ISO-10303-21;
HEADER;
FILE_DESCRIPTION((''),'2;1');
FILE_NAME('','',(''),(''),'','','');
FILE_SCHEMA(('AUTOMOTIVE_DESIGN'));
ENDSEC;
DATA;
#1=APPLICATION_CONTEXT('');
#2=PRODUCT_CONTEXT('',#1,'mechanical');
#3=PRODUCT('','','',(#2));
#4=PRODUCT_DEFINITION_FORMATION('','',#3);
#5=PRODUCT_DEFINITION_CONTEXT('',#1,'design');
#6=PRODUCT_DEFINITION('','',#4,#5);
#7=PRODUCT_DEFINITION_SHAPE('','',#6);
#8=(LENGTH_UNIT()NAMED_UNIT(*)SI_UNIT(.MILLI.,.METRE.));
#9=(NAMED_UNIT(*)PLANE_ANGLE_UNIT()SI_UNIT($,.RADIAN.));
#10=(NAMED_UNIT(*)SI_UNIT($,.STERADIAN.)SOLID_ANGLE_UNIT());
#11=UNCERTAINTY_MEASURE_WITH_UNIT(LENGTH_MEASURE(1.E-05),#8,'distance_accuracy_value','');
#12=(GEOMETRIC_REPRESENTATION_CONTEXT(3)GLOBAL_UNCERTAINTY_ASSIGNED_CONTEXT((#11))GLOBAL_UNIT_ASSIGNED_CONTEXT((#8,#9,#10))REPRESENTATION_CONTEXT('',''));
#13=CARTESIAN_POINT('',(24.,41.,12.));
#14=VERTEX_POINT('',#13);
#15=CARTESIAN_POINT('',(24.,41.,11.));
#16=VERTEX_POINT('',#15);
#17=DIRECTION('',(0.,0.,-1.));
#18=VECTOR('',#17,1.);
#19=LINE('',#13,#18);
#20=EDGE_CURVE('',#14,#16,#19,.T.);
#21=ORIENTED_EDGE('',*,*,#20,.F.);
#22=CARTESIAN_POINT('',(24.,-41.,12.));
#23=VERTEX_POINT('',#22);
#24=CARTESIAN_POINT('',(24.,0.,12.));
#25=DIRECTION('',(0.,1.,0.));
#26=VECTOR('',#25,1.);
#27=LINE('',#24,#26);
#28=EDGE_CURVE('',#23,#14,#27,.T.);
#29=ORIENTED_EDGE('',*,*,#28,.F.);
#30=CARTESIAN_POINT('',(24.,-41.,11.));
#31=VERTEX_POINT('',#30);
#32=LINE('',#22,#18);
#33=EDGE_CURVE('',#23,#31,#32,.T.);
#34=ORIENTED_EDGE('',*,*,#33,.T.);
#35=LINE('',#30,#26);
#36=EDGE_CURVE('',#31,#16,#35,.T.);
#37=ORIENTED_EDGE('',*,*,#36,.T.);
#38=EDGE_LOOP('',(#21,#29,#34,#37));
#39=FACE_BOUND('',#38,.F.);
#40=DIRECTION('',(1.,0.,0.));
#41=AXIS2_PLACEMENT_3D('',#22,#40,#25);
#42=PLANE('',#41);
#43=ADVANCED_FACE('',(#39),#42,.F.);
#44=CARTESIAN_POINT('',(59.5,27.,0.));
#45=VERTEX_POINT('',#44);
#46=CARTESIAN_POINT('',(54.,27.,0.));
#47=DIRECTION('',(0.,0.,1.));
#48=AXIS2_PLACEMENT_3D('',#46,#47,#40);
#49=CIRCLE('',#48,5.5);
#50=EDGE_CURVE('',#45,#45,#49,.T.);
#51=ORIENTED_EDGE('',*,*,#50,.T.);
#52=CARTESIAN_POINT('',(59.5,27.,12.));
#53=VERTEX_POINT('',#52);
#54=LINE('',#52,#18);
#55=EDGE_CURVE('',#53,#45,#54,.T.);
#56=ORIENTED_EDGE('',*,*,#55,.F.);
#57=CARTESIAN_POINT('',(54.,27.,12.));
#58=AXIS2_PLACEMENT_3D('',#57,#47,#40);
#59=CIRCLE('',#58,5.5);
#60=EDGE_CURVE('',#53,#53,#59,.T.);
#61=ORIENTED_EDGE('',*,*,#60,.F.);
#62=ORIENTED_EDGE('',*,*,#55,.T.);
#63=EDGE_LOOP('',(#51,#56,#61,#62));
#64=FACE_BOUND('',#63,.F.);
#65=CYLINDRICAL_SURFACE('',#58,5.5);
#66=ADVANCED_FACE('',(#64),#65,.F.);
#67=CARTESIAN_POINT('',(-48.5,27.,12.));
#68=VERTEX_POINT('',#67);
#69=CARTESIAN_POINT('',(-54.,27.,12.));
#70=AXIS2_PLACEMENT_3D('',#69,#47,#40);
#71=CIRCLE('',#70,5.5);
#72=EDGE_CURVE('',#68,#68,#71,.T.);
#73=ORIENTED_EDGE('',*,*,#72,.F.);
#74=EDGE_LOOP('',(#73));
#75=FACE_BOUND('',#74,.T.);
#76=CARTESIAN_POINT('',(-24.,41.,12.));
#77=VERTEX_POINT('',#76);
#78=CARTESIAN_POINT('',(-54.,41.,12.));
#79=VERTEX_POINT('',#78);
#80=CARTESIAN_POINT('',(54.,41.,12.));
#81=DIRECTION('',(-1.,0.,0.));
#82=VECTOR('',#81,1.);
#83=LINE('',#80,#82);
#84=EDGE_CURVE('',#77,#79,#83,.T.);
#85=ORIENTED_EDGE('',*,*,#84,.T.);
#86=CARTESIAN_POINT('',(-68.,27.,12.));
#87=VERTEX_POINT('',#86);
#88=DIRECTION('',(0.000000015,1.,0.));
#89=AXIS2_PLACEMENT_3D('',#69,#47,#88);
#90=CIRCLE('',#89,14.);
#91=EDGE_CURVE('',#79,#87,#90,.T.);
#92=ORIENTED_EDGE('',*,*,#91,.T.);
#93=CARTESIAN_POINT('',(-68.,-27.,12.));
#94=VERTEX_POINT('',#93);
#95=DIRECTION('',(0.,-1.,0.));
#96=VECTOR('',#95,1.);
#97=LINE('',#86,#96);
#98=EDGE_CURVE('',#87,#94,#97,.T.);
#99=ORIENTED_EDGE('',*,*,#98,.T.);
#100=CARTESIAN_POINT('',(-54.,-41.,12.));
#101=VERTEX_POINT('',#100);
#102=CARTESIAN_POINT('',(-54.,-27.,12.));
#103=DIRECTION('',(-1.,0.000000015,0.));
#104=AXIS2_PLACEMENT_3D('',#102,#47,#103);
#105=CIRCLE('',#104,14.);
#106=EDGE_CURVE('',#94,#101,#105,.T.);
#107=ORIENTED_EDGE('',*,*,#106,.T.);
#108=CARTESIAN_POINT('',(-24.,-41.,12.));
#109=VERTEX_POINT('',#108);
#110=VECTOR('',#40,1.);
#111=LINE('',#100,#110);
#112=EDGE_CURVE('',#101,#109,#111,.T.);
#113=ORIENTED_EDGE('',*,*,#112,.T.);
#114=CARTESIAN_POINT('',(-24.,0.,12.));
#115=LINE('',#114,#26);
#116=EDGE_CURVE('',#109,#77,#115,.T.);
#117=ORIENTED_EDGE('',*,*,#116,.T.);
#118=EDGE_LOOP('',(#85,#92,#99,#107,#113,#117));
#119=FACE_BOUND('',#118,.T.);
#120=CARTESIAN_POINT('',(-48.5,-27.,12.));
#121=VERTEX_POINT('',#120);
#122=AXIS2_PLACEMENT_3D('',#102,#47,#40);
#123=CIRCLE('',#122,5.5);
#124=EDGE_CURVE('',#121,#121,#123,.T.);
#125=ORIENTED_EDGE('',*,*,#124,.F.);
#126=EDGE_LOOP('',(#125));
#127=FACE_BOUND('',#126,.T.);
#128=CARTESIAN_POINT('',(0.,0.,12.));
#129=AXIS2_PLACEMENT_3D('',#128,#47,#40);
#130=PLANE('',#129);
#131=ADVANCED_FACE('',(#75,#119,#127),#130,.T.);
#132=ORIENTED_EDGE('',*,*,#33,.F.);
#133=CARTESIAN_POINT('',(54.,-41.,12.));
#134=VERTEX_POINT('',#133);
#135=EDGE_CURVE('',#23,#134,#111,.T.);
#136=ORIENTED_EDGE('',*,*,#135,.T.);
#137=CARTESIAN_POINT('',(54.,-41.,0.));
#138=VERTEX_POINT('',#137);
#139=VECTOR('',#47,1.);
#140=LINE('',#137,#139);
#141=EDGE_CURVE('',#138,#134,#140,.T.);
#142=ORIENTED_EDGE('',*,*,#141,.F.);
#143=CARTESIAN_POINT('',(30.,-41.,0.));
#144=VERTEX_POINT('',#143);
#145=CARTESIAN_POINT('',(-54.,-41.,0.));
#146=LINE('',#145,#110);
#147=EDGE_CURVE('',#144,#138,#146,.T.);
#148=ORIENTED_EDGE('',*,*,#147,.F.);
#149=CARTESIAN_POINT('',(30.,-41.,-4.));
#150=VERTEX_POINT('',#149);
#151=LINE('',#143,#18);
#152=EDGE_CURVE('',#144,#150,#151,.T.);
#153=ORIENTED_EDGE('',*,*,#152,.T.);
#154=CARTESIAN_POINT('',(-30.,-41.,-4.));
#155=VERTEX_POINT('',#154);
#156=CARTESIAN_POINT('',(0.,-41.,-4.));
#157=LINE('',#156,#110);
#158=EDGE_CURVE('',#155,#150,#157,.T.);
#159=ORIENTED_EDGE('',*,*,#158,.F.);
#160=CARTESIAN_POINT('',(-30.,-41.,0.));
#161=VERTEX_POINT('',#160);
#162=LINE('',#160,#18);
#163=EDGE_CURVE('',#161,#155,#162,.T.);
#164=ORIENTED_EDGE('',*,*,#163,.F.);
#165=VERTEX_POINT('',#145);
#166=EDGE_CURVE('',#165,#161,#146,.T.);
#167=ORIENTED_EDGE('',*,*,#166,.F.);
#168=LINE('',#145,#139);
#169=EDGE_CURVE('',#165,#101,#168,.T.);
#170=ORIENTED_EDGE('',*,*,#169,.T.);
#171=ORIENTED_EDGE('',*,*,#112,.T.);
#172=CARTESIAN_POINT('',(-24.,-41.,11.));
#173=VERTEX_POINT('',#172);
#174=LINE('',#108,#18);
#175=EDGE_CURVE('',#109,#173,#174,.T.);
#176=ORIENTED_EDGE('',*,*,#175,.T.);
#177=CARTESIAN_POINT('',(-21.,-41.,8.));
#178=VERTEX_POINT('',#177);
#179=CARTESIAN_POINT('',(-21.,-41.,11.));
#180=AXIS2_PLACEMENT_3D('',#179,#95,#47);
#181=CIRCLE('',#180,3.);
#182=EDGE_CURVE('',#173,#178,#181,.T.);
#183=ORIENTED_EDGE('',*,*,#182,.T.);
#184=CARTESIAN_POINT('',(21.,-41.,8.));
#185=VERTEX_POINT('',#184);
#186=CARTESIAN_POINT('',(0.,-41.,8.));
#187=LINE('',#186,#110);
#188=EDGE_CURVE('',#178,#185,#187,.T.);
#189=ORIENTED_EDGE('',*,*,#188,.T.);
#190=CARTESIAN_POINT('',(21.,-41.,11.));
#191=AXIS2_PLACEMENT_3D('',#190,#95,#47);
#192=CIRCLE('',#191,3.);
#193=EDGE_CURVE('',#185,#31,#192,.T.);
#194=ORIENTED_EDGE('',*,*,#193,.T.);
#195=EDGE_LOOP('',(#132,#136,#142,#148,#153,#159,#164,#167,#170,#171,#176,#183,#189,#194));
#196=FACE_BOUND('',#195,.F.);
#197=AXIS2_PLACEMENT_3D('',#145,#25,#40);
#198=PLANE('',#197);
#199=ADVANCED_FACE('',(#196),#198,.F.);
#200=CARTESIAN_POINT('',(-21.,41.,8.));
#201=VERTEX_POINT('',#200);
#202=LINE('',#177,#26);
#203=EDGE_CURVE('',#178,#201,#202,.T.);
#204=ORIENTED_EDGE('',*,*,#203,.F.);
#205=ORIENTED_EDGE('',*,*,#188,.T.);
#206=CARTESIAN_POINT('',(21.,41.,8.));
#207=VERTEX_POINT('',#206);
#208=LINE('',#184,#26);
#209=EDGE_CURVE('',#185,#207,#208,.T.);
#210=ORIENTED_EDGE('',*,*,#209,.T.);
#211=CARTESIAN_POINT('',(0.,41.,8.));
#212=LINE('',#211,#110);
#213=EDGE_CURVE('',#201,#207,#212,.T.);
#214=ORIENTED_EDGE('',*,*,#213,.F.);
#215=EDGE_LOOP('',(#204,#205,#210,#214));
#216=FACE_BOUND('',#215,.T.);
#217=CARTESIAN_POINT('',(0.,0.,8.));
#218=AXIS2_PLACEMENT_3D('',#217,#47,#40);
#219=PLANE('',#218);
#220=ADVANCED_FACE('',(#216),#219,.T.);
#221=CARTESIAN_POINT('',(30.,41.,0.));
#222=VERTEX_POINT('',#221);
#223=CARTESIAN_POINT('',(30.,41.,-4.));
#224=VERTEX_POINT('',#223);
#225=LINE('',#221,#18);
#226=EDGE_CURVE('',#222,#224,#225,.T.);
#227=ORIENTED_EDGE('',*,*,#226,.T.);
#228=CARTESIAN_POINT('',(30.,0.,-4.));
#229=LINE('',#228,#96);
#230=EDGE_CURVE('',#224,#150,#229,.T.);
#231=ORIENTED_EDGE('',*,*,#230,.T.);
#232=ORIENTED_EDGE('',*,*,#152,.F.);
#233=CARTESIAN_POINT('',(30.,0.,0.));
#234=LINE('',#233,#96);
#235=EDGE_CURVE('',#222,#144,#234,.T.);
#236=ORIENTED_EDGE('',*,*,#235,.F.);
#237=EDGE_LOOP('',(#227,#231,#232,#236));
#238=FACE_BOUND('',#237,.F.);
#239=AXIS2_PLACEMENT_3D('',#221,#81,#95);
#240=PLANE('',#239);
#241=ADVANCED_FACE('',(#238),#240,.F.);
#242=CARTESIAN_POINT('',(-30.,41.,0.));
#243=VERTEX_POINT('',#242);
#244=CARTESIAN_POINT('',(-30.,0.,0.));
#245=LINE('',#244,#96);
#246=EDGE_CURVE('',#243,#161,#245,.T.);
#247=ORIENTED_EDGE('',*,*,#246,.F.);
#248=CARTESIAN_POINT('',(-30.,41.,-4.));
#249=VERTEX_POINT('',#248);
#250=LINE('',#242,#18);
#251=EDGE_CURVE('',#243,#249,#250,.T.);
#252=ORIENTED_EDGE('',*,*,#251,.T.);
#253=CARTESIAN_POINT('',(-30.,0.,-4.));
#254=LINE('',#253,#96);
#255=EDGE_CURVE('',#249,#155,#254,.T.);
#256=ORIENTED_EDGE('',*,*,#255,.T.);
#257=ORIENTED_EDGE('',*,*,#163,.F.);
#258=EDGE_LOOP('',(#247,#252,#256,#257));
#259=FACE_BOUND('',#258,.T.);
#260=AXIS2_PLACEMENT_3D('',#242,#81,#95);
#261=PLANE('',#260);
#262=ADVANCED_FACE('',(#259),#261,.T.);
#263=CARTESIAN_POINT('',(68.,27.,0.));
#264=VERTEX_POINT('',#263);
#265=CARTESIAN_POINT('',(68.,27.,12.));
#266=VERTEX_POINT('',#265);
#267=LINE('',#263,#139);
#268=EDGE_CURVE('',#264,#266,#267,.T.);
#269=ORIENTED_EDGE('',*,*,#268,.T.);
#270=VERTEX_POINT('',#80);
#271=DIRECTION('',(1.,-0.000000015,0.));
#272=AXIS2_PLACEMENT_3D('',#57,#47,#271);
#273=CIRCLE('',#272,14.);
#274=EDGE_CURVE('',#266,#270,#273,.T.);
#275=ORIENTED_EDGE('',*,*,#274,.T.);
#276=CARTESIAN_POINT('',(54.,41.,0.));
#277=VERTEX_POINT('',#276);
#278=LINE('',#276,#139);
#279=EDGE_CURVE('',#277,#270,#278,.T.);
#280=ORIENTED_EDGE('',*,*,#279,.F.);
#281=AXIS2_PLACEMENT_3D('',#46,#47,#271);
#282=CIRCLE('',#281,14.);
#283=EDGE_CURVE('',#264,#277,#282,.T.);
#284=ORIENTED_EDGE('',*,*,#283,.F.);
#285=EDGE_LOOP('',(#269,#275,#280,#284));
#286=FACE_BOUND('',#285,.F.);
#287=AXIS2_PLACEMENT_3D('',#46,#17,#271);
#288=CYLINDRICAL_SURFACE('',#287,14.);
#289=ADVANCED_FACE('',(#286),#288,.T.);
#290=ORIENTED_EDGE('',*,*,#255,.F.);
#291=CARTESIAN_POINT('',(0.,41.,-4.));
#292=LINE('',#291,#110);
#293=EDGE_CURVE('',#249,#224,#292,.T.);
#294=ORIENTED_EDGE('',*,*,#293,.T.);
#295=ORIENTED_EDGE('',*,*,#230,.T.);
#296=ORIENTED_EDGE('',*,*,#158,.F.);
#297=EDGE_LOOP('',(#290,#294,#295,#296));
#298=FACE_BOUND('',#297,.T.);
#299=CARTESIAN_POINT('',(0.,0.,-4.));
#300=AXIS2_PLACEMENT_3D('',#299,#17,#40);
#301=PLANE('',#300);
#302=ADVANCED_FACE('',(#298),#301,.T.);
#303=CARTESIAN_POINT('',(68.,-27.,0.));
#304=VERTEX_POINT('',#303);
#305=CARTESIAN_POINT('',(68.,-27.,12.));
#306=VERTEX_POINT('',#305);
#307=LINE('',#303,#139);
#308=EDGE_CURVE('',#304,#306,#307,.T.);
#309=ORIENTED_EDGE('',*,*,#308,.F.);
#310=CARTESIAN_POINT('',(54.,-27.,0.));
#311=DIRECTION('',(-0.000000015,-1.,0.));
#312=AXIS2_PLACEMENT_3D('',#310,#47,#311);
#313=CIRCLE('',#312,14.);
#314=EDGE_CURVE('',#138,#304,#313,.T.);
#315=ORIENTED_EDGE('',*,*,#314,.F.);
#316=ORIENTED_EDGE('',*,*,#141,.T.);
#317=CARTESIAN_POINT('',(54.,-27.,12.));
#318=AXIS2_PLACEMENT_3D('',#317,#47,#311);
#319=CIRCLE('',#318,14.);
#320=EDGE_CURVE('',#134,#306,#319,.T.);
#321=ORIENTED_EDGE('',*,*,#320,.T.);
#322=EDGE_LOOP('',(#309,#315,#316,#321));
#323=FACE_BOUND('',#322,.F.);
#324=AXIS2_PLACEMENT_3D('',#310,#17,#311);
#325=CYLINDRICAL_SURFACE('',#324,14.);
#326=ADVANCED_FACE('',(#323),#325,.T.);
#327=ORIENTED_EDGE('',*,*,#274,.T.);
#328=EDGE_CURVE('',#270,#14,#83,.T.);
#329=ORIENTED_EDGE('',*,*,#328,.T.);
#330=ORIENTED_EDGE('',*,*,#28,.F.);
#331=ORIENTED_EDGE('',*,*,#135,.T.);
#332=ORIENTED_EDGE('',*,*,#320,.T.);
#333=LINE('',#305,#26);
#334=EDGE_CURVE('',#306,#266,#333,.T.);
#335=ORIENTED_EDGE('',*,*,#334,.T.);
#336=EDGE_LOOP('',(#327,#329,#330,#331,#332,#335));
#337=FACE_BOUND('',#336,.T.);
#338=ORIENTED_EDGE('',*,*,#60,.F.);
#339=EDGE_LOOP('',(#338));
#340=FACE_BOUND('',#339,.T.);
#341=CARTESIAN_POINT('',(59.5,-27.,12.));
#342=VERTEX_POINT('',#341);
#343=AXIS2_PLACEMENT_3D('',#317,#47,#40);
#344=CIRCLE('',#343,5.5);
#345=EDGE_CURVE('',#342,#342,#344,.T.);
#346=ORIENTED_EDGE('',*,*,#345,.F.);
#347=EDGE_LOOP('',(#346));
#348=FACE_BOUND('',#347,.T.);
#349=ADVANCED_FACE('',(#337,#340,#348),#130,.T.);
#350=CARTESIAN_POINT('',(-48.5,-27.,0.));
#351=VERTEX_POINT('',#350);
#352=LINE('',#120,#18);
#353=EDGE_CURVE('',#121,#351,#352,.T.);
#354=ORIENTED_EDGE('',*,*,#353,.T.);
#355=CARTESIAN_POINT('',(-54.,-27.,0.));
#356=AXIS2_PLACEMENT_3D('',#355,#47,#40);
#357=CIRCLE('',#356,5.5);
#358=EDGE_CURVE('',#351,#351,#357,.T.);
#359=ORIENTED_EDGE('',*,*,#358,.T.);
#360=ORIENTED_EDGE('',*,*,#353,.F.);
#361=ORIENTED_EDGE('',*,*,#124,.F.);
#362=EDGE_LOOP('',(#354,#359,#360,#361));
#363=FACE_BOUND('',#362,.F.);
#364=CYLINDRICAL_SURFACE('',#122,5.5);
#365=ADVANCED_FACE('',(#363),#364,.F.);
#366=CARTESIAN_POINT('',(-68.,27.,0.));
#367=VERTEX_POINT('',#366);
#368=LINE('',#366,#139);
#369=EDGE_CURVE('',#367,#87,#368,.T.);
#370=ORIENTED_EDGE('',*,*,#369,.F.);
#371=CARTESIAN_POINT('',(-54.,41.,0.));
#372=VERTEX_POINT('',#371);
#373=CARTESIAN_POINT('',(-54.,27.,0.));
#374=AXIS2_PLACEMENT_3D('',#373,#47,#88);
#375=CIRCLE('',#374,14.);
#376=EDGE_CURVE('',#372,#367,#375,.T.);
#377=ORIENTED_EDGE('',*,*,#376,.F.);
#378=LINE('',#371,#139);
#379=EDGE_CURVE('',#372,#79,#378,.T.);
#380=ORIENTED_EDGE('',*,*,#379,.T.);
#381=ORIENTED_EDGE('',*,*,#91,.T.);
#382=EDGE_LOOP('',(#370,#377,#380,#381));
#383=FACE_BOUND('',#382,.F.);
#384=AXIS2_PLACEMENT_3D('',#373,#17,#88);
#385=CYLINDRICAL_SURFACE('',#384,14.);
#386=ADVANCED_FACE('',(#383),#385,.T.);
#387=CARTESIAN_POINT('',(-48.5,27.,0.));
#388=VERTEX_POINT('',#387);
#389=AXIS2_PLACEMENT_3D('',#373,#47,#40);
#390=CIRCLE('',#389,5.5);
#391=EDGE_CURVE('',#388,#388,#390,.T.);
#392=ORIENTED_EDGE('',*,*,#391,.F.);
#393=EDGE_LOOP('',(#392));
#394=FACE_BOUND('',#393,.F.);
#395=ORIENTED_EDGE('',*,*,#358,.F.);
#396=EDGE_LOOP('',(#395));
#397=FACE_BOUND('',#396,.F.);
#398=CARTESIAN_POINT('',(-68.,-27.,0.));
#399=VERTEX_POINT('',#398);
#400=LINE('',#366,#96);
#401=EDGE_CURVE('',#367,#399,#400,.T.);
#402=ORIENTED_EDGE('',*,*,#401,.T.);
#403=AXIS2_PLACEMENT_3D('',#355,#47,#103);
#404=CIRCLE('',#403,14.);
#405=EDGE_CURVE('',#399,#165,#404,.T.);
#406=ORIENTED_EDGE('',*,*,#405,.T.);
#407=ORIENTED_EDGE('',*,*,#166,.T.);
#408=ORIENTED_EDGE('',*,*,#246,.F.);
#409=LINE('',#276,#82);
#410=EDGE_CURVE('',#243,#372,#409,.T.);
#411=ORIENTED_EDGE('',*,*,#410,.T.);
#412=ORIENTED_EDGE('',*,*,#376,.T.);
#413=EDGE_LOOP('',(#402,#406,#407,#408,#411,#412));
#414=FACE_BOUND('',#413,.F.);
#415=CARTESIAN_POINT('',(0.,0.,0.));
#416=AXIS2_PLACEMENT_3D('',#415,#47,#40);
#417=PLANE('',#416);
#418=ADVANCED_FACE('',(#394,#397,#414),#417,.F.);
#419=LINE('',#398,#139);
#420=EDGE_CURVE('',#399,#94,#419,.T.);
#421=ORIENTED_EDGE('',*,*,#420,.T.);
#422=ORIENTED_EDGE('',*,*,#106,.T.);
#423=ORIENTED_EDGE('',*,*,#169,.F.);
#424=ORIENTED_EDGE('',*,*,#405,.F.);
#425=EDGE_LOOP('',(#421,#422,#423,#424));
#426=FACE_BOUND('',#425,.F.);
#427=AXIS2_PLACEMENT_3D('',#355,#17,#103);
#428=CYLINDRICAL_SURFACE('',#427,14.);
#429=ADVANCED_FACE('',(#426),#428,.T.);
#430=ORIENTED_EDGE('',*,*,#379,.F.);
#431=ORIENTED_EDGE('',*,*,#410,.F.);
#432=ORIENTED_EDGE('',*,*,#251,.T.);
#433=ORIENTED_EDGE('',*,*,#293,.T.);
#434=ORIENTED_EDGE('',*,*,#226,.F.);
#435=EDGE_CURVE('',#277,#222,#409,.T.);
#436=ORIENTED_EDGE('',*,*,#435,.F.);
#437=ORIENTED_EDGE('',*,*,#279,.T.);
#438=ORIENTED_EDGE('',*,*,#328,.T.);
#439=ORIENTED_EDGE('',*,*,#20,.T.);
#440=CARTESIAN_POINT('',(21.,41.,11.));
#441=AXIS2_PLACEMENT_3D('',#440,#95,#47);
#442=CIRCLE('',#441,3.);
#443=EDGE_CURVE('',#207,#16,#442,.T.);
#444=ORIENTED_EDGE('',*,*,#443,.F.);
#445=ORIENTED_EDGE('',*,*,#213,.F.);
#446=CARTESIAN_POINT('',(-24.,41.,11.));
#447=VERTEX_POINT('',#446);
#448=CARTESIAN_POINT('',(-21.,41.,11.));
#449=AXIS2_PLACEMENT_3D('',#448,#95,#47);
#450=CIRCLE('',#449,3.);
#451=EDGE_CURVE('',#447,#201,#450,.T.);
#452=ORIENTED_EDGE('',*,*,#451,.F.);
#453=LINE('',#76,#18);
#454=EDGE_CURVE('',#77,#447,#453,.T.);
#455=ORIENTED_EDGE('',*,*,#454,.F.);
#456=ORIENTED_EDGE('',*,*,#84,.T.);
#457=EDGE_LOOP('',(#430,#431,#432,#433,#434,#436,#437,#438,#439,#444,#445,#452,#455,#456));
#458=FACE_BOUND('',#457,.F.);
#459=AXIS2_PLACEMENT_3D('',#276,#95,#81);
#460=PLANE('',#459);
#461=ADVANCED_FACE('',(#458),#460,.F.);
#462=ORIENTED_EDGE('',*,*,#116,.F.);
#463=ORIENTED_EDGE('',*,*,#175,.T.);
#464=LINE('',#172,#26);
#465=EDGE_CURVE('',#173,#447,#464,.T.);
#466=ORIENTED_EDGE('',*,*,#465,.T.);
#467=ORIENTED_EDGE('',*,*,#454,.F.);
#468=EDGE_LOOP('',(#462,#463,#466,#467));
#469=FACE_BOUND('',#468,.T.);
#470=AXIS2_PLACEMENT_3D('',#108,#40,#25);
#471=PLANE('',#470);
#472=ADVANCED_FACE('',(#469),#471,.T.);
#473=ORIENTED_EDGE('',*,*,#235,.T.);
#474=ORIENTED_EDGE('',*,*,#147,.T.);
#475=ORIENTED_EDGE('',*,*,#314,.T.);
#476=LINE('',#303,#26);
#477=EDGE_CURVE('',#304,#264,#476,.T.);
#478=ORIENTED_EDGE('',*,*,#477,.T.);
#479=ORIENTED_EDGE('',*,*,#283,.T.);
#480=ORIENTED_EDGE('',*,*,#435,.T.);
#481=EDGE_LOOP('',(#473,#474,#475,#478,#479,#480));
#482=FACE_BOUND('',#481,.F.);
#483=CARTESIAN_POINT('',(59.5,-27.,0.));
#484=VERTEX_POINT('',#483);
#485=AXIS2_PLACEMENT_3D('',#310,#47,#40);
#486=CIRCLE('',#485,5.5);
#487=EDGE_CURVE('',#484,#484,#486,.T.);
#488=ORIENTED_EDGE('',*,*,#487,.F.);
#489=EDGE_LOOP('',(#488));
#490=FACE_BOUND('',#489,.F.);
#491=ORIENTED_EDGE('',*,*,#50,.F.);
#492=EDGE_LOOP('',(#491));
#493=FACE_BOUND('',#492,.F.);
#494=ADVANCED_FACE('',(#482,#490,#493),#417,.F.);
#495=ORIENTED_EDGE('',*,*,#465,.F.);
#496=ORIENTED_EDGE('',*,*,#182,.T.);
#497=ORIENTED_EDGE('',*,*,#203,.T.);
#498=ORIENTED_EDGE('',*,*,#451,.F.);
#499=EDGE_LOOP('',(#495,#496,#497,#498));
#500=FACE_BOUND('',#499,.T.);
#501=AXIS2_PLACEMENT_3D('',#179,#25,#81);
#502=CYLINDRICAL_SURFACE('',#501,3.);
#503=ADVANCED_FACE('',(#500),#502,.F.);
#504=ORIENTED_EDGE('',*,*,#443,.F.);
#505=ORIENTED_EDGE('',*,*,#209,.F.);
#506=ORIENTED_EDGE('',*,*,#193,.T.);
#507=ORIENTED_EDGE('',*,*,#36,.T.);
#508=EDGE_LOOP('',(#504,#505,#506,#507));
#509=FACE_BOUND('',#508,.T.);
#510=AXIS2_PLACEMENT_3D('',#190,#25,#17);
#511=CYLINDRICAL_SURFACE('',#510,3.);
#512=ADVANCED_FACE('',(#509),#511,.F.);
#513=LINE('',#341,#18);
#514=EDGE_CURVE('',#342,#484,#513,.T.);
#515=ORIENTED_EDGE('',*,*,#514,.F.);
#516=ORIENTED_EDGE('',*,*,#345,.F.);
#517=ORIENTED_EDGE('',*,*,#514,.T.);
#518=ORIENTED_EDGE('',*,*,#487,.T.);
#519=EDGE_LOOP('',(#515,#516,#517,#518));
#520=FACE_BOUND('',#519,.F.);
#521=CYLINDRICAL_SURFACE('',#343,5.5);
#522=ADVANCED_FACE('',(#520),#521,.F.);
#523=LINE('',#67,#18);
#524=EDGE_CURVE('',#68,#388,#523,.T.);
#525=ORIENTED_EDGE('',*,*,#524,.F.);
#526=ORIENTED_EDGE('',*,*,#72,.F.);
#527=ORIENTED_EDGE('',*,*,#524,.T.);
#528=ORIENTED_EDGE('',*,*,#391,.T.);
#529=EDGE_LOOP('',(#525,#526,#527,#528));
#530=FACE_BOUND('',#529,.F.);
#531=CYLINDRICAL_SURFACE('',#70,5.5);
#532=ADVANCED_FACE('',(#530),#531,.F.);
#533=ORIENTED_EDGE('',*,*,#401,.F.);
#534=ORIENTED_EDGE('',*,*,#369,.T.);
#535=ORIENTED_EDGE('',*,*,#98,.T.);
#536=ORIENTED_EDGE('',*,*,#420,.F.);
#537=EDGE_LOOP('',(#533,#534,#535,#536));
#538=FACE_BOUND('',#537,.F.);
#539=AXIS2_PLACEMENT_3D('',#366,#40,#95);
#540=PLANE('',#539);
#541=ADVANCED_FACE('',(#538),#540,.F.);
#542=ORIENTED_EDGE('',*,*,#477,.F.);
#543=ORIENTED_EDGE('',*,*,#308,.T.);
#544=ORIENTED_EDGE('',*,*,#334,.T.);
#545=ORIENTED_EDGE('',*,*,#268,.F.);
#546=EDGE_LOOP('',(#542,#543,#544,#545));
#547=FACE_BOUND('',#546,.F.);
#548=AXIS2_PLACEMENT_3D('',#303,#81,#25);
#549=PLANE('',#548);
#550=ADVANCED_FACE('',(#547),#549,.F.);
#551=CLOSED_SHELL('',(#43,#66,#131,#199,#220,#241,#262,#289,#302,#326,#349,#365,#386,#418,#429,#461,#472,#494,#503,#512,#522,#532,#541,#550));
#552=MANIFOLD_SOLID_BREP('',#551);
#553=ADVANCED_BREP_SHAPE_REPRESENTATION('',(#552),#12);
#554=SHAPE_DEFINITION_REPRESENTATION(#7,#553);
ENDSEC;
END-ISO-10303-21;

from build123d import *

# Parameters (mm, degrees)
F1_DEPTH = 12
F2_W     = 48
F2_H     = 82
F3_DEPTH = 4
F4_R     = 3
F5_W     = 60
F5_H     = 82
F6_DEPTH = 4
F7_R     = 5.5
F8_DEPTH = 16.001


with BuildPart() as f1:
    # F0 (on Top) → F1 (new body)
    with BuildSketch(Plane.XY):
        with BuildLine():
            ThreePointArc((68, 27), (63.899495, 36.899495), (54, 41))
            Line((54, 41), (-54, 41))
            ThreePointArc((-54, 41), (-63.899495, 36.899495), (-68, 27))
            Line((-68, 27), (-68, -27))
            ThreePointArc((-68, -27), (-63.899495, -36.899495), (-54, -41))
            Line((-54, -41), (54, -41))
            ThreePointArc((54, -41), (63.899495, -36.899495), (68, -27))
            Line((68, -27), (68, 27))
        make_face()
    extrude(amount=F1_DEPTH)

    # F2 (on face) → F3 (cut)
    with BuildSketch(Plane.XY.offset(12)):
        Rectangle(F2_W, F2_H)
    extrude(amount=-F3_DEPTH, mode=Mode.SUBTRACT)

    # F4
    f4_edges = [f1.edges().sort_by_distance(p)[0] for p in [
        (-24, 0, 8),
        (24, 0, 8),
    ]]
    fillet(f4_edges, radius=F4_R)

    # F5 (on face) → F6 (join)
    with BuildSketch(Plane(origin=(0, 0, 0), x_dir=(1, 0, 0), z_dir=(0, 0, -1))):
        Rectangle(F5_W, F5_H)
    extrude(amount=F6_DEPTH)

    # F7 (on face) → F8 (cut, through all)
    with BuildSketch(Plane.XY.offset(12)):
        with Locations((-54, 27)):
            Circle(F7_R)
        with Locations((-54, -27)):
            Circle(F7_R)
        with Locations((54, -27)):
            Circle(F7_R)
        with Locations((54, 27)):
            Circle(F7_R)
    extrude(amount=-F8_DEPTH, mode=Mode.SUBTRACT)


solid = f1.part
